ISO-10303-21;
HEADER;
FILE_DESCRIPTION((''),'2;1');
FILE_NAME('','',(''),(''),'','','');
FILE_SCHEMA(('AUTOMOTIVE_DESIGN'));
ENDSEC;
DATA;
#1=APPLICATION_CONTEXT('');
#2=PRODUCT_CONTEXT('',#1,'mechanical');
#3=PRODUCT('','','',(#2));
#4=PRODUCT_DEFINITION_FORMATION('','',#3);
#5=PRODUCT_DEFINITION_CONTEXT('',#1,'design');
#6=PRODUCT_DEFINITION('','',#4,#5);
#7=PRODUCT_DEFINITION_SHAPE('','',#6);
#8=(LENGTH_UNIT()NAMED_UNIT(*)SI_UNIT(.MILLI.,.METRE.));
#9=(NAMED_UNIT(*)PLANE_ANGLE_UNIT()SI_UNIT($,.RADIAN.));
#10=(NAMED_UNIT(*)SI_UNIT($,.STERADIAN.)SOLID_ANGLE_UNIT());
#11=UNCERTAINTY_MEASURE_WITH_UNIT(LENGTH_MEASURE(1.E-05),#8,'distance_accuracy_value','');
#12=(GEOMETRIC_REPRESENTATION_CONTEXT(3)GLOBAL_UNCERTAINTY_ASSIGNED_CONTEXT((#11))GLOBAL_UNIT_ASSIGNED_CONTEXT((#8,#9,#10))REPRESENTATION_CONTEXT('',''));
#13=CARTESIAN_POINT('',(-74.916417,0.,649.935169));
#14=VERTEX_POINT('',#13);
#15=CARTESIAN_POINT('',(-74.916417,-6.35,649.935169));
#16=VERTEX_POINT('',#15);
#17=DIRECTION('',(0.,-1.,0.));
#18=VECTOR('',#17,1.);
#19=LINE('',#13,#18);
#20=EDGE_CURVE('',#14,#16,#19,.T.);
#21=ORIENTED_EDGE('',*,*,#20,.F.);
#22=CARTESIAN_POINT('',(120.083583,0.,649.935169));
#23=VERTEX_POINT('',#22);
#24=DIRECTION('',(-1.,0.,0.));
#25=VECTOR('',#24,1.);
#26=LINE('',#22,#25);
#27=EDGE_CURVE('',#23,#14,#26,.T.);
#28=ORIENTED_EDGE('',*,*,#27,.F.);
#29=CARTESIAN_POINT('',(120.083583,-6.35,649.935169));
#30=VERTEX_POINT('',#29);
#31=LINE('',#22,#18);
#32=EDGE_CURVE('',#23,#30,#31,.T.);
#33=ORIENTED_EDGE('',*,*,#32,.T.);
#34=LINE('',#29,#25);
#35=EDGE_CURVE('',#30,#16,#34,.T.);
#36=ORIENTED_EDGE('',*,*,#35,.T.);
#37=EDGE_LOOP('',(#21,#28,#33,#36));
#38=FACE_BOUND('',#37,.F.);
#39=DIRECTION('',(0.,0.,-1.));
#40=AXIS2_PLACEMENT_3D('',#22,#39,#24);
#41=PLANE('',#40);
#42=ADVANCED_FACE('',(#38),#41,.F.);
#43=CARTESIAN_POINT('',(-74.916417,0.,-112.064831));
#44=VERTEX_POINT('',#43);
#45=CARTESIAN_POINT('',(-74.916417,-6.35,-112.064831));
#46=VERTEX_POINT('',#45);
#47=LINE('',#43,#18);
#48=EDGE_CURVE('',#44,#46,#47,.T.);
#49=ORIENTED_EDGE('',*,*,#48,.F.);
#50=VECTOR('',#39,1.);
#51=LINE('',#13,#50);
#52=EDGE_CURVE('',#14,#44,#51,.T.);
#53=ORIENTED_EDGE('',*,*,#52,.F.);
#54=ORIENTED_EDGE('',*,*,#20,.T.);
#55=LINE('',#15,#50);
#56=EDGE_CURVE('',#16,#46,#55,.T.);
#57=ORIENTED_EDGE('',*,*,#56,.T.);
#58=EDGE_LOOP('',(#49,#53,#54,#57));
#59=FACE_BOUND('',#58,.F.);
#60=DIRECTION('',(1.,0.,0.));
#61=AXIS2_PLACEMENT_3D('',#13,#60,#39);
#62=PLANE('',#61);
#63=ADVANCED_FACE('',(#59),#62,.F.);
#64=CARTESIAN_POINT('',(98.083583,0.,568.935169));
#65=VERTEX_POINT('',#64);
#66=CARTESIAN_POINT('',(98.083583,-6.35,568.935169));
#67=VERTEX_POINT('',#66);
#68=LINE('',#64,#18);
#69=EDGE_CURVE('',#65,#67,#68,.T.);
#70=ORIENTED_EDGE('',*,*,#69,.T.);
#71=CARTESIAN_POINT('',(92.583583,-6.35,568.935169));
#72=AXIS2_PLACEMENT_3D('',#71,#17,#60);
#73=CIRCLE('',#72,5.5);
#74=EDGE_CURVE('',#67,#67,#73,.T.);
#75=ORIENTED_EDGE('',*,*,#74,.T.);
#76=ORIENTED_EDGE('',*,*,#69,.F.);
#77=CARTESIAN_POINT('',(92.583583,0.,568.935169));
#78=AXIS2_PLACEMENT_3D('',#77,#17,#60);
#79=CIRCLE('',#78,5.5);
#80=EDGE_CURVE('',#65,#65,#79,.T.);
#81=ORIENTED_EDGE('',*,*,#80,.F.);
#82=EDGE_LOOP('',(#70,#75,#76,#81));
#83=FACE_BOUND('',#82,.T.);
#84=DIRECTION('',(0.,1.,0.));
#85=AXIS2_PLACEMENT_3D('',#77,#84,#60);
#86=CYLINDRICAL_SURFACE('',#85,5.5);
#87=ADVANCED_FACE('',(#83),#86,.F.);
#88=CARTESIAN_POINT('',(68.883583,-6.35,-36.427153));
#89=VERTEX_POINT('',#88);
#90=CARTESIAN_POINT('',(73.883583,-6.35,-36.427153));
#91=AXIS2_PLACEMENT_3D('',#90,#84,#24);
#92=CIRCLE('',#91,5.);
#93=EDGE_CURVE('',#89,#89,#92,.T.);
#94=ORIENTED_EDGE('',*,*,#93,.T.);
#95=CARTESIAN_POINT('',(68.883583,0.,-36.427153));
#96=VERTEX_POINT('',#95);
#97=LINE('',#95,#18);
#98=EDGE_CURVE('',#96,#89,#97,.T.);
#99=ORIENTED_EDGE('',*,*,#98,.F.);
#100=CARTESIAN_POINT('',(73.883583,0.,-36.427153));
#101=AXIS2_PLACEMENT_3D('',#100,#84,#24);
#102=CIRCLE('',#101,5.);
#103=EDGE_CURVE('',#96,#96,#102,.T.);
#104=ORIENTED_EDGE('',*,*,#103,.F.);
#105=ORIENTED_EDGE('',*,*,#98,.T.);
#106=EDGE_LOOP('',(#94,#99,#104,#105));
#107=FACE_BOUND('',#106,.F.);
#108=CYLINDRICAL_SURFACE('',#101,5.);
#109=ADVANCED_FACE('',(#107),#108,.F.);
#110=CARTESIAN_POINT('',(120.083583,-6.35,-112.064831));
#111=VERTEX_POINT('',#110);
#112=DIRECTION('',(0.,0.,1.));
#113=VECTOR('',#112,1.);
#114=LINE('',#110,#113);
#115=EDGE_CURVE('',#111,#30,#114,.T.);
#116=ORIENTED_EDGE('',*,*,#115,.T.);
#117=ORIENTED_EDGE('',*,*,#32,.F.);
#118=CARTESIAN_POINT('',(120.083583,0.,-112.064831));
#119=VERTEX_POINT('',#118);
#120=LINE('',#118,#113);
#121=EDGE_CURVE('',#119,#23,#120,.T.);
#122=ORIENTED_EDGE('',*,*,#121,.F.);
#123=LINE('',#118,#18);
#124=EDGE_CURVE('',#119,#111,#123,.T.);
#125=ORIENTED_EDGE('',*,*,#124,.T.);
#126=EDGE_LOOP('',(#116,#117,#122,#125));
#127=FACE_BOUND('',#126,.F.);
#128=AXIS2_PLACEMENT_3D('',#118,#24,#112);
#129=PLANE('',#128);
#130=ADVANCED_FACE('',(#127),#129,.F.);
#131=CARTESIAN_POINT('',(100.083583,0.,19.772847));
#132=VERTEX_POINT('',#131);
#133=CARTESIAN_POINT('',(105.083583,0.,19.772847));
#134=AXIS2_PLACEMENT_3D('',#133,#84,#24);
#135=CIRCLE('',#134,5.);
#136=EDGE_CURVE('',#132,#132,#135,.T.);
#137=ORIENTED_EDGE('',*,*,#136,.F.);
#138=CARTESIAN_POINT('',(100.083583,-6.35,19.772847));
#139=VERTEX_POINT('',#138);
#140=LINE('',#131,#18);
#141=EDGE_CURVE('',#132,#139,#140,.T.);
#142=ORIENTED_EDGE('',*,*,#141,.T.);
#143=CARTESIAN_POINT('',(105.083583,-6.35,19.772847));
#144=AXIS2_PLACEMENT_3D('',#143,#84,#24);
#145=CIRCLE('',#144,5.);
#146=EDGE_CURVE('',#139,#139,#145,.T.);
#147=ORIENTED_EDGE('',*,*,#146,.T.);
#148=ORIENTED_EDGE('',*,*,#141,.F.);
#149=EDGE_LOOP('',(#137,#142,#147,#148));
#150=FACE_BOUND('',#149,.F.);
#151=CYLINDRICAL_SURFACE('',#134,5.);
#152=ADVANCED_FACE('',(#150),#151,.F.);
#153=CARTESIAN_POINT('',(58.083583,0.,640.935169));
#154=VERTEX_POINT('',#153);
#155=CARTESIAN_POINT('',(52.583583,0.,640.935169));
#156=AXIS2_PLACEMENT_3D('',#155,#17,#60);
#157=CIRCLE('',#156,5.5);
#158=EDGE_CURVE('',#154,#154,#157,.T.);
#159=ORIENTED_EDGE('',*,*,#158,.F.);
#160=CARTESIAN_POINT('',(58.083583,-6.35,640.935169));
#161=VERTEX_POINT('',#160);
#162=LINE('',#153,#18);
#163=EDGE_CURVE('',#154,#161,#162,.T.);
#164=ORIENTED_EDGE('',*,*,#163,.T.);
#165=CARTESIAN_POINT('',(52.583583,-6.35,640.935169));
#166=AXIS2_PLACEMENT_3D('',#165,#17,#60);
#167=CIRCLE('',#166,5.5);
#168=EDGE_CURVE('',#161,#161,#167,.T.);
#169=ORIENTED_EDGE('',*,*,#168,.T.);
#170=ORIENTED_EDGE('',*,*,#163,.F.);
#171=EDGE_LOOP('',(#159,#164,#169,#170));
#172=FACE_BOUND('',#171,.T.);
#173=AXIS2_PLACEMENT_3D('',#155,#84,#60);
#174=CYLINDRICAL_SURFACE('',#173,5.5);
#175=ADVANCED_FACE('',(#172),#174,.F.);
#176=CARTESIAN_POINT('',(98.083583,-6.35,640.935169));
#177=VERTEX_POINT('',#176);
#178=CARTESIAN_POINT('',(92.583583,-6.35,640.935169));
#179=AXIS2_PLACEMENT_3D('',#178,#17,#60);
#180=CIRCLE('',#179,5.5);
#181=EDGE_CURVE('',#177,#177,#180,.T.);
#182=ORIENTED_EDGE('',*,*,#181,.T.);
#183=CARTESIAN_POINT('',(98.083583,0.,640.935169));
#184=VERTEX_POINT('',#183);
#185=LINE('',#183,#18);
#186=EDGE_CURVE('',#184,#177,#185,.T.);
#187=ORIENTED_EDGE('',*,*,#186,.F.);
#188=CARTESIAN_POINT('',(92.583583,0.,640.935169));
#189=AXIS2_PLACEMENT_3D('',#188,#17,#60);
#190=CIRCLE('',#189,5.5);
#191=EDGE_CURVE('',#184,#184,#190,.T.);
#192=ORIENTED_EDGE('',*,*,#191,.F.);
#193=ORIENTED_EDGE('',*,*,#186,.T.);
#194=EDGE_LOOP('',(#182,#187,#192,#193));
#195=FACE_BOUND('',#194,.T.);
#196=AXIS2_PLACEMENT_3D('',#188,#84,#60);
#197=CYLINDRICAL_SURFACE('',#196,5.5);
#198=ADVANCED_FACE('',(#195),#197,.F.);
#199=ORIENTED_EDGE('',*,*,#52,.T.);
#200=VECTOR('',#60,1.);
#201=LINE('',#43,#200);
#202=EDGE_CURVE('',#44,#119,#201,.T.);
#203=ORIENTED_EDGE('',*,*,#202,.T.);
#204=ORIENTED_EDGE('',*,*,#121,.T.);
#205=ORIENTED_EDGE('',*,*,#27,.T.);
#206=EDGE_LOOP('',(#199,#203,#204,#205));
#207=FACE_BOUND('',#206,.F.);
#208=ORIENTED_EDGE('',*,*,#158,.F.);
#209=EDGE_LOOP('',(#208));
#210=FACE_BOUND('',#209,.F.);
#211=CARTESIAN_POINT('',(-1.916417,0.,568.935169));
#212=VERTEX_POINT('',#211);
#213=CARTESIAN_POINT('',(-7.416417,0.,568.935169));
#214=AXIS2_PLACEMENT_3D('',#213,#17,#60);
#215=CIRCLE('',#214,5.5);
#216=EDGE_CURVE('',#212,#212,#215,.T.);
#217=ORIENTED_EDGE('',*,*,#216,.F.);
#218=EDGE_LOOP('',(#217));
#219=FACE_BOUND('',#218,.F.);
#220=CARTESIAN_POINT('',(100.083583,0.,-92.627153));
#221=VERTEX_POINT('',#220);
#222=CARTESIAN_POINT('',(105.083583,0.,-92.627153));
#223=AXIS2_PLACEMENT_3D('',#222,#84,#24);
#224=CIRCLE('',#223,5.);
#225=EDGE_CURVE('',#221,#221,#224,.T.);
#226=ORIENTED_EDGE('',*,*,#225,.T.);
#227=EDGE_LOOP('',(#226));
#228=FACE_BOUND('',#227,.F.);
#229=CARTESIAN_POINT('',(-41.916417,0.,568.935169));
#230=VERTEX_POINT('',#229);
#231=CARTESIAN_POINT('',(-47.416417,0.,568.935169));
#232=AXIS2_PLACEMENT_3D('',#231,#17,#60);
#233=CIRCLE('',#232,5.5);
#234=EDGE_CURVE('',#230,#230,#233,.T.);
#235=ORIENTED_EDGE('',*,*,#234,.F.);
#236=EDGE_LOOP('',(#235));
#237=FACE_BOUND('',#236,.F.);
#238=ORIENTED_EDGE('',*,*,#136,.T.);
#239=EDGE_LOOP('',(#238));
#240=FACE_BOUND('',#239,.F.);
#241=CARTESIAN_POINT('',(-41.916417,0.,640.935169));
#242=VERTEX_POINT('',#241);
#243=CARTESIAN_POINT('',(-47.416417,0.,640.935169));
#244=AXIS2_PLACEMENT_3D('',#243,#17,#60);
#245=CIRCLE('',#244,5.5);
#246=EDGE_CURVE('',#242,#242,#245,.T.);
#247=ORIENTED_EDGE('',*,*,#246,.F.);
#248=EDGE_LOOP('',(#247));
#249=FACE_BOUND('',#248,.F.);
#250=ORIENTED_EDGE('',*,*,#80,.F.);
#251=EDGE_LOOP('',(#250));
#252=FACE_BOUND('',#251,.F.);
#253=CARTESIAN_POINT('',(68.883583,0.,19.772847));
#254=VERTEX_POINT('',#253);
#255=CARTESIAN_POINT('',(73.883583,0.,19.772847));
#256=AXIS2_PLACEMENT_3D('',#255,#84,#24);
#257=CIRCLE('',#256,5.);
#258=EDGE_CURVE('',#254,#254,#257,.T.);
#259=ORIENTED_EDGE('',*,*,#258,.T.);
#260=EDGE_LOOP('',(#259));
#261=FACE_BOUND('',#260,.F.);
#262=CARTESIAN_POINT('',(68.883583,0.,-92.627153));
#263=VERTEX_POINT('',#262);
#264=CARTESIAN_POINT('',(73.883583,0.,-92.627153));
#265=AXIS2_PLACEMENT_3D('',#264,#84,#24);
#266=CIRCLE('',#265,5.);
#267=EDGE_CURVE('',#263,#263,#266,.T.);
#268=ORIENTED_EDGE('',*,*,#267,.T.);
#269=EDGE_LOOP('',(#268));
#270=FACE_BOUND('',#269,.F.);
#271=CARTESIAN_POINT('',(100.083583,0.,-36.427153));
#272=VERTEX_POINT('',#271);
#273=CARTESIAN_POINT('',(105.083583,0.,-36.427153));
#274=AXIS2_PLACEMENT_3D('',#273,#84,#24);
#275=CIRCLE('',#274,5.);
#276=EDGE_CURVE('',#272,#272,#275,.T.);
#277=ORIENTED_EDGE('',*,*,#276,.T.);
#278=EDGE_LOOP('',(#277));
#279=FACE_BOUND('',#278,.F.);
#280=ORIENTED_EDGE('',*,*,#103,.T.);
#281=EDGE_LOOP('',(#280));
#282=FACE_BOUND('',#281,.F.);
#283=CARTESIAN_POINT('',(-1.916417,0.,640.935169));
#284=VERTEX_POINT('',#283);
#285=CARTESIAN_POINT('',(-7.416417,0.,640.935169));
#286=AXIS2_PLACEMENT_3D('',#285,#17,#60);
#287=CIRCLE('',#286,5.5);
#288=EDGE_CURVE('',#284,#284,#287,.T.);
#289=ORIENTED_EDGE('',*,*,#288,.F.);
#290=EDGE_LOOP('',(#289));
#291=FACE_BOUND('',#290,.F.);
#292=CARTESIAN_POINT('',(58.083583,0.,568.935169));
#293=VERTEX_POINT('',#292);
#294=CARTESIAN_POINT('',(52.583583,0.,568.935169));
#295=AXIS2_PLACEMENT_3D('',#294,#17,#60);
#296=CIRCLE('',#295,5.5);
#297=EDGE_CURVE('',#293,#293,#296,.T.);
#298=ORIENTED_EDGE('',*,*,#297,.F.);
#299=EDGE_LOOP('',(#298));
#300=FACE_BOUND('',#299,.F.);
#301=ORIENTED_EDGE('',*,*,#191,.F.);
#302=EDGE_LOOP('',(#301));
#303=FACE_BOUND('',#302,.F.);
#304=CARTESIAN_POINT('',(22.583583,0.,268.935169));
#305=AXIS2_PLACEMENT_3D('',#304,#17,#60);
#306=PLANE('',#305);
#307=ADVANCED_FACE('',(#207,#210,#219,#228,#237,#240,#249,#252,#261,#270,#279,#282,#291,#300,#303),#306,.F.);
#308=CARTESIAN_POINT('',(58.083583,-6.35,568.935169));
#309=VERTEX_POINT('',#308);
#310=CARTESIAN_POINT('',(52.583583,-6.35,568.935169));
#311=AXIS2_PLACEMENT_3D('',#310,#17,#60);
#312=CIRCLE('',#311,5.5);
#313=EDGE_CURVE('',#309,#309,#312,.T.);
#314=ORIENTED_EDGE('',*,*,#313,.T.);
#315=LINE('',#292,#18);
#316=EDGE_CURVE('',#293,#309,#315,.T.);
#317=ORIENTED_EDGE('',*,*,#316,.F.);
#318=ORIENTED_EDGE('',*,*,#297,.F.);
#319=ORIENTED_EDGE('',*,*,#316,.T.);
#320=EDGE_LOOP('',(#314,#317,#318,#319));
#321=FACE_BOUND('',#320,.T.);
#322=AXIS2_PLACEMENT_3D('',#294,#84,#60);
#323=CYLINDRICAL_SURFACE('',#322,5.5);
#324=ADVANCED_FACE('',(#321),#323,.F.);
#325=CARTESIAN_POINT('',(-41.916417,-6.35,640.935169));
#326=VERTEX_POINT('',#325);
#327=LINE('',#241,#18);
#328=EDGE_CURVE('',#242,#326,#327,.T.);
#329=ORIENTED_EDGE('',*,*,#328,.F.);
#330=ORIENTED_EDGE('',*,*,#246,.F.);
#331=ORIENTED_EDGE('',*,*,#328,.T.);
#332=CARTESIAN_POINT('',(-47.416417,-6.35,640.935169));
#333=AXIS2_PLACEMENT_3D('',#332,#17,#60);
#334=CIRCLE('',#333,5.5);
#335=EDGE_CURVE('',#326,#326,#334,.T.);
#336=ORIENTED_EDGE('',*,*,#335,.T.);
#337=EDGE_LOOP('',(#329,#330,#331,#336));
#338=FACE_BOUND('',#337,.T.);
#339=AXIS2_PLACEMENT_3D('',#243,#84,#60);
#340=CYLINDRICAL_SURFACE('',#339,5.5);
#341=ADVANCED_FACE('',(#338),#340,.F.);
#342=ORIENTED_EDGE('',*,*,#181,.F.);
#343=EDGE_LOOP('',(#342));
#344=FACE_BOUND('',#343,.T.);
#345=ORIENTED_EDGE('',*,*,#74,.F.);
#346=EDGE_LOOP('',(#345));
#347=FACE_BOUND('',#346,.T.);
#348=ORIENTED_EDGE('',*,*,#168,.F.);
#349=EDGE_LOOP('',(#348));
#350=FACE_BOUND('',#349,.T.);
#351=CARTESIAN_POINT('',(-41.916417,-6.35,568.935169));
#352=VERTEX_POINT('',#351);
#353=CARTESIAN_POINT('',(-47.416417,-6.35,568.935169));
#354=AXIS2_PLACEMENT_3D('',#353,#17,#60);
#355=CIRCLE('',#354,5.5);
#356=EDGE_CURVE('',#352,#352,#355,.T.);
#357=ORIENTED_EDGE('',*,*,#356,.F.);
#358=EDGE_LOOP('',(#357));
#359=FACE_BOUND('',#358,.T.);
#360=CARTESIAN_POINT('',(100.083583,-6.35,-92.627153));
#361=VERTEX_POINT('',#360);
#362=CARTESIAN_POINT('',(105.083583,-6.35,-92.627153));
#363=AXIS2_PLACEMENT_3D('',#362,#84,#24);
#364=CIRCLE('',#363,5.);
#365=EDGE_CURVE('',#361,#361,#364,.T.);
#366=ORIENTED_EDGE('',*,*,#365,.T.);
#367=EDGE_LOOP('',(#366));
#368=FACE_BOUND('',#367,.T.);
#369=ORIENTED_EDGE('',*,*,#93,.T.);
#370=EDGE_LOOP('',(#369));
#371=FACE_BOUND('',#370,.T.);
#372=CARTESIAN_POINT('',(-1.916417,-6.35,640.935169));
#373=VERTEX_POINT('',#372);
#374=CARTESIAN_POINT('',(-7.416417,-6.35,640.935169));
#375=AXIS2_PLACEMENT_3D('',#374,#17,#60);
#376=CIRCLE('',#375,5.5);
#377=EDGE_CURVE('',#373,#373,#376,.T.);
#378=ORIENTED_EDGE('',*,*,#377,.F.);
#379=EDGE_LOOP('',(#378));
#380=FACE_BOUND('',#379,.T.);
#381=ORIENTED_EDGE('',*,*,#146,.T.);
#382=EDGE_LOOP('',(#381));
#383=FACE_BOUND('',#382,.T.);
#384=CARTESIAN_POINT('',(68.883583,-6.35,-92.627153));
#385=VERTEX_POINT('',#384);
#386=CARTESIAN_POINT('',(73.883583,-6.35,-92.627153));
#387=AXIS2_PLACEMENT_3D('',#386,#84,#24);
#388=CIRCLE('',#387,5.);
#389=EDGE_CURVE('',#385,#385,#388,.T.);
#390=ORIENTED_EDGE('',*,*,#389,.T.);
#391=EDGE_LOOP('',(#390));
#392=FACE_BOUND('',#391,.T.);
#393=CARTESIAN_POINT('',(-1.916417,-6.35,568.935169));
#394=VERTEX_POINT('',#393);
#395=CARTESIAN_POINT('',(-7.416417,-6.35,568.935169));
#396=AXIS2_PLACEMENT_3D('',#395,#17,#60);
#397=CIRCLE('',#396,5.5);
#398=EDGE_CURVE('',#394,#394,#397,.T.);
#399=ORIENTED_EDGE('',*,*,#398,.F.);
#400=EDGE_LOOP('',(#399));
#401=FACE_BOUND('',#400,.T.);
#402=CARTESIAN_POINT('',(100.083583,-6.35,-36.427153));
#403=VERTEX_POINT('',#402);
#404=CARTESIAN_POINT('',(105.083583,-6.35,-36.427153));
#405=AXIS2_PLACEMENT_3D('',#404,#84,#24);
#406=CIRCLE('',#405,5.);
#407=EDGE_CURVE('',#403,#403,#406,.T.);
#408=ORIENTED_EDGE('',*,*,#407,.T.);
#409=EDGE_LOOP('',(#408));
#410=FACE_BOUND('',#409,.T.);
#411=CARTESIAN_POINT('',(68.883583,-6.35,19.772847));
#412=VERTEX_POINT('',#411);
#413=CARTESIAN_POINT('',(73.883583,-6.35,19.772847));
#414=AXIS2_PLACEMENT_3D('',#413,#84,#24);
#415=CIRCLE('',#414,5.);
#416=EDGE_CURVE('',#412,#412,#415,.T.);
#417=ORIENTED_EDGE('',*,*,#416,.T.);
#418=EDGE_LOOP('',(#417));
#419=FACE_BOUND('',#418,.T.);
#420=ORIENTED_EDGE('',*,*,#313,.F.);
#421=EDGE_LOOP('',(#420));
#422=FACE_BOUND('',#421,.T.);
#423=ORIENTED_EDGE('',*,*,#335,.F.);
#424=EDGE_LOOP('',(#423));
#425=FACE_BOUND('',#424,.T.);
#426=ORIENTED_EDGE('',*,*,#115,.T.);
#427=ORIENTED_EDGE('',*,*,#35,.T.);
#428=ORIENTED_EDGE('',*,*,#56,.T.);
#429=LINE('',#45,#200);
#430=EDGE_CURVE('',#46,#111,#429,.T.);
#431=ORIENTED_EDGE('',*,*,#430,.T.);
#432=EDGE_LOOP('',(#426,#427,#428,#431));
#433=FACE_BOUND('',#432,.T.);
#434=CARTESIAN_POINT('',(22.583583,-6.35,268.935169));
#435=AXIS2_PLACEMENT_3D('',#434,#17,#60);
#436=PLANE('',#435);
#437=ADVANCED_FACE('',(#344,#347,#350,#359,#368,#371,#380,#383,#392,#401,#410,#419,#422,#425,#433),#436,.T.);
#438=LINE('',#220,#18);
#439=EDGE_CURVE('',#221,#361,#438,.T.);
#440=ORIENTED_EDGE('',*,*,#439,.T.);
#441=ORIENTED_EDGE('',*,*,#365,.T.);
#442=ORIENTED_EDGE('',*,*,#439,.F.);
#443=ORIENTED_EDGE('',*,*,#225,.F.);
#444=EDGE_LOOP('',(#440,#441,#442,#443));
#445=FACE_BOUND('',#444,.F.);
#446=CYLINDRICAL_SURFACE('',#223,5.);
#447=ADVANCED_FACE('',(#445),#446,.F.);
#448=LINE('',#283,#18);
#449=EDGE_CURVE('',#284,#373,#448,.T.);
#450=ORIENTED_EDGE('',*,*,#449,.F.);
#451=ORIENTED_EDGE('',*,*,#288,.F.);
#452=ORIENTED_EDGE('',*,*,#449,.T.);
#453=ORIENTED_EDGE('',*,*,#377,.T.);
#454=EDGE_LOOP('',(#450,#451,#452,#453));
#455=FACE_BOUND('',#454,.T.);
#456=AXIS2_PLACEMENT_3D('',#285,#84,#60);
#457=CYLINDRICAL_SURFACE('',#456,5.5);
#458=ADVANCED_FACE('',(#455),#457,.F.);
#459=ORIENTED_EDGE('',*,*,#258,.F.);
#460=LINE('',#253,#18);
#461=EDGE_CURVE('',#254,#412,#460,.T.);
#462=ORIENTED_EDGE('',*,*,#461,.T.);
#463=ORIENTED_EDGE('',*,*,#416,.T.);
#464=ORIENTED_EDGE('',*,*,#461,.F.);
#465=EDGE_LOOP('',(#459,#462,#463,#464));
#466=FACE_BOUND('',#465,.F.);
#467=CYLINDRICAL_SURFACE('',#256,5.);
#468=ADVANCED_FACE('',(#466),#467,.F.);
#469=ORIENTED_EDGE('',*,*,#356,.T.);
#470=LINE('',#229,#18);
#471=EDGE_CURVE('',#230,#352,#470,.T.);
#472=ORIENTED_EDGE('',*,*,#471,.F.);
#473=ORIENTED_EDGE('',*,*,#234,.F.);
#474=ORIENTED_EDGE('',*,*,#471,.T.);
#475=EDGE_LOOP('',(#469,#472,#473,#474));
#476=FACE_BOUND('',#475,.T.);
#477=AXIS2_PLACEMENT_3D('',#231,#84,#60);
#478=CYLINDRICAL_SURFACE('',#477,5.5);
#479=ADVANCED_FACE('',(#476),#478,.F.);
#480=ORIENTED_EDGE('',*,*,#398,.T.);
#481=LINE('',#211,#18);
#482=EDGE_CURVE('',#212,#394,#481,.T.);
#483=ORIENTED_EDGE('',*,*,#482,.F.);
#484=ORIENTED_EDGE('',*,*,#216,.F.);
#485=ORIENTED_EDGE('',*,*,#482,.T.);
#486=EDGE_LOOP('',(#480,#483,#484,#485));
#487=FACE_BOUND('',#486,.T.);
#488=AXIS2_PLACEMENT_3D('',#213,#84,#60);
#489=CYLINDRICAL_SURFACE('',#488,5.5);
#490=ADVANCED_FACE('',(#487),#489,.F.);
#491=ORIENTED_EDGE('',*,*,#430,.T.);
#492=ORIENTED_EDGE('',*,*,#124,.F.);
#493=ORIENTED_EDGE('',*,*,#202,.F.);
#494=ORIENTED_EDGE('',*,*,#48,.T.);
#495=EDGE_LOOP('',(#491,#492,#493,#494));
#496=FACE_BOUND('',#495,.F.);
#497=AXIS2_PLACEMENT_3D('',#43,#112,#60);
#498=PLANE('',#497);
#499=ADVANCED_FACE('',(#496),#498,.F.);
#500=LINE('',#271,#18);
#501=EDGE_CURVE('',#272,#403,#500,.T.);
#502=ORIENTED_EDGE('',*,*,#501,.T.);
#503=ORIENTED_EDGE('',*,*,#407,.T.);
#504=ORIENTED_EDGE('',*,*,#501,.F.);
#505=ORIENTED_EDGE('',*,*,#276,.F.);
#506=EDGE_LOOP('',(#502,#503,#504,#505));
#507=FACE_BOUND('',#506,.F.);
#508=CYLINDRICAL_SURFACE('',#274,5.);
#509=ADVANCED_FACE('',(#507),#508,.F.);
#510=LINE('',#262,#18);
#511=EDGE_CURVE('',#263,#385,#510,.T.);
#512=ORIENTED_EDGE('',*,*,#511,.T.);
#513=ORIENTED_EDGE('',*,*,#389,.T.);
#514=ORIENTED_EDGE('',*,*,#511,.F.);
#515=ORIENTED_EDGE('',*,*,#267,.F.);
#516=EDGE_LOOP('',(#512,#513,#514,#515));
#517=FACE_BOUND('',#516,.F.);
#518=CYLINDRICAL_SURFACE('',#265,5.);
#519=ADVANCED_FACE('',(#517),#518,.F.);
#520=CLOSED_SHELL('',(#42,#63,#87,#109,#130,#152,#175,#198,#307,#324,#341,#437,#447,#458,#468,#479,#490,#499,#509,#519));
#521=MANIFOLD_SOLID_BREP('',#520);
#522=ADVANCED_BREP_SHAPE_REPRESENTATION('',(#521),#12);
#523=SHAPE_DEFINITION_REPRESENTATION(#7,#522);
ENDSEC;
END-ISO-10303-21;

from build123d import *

# Parameters (mm, degrees)
F0_R     = 5.5
F1_DEPTH = 6.35
F2_R     = 5
F3_DEPTH = 6.351


with BuildPart() as f1:
    # F0 (on Front) → F1 (new body)
    with BuildSketch(Plane.XZ):
        Polygon((20.083583, 649.935169), (-74.916417, 649.935169), (-74.916417, -112.064831), (120.083583, -112.064831), (120.083583, 649.935169), (25.083583, 649.935169), align=None)
        with Locations((-47.416417, 568.935169)):
            Circle(F0_R, mode=Mode.SUBTRACT)
        with Locations((-47.416417, 640.935169)):
            Circle(F0_R, mode=Mode.SUBTRACT)
        with Locations((-7.416417, 568.935169)):
            Circle(F0_R, mode=Mode.SUBTRACT)
        with Locations((-7.416417, 640.935169)):
            Circle(F0_R, mode=Mode.SUBTRACT)
        with Locations((52.583583, 568.935169)):
            Circle(F0_R, mode=Mode.SUBTRACT)
        with Locations((52.583583, 640.935169)):
            Circle(F0_R, mode=Mode.SUBTRACT)
        with Locations((92.583583, 568.935169)):
            Circle(F0_R, mode=Mode.SUBTRACT)
        with Locations((92.583583, 640.935169)):
            Circle(F0_R, mode=Mode.SUBTRACT)
    extrude(amount=F1_DEPTH)

    # F2 (on face) → F3 (cut, through all)
    with BuildSketch(Plane(origin=(0, 0, 0), x_dir=(-1, 0, 0), z_dir=(0, 1, 0))):
        with Locations((-73.883583, -92.627153)):
            Circle(F2_R)
        with Locations((-105.083583, -92.627153)):
            Circle(F2_R)
        with Locations((-73.883583, -36.427153)):
            Circle(F2_R)
        with Locations((-105.083583, -36.427153)):
            Circle(F2_R)
        with Locations((-105.083583, 19.772847)):
            Circle(F2_R)
        with Locations((-73.883583, 19.772847)):
            Circle(F2_R)
    extrude(amount=-F3_DEPTH, mode=Mode.SUBTRACT)


solid = f1.part
